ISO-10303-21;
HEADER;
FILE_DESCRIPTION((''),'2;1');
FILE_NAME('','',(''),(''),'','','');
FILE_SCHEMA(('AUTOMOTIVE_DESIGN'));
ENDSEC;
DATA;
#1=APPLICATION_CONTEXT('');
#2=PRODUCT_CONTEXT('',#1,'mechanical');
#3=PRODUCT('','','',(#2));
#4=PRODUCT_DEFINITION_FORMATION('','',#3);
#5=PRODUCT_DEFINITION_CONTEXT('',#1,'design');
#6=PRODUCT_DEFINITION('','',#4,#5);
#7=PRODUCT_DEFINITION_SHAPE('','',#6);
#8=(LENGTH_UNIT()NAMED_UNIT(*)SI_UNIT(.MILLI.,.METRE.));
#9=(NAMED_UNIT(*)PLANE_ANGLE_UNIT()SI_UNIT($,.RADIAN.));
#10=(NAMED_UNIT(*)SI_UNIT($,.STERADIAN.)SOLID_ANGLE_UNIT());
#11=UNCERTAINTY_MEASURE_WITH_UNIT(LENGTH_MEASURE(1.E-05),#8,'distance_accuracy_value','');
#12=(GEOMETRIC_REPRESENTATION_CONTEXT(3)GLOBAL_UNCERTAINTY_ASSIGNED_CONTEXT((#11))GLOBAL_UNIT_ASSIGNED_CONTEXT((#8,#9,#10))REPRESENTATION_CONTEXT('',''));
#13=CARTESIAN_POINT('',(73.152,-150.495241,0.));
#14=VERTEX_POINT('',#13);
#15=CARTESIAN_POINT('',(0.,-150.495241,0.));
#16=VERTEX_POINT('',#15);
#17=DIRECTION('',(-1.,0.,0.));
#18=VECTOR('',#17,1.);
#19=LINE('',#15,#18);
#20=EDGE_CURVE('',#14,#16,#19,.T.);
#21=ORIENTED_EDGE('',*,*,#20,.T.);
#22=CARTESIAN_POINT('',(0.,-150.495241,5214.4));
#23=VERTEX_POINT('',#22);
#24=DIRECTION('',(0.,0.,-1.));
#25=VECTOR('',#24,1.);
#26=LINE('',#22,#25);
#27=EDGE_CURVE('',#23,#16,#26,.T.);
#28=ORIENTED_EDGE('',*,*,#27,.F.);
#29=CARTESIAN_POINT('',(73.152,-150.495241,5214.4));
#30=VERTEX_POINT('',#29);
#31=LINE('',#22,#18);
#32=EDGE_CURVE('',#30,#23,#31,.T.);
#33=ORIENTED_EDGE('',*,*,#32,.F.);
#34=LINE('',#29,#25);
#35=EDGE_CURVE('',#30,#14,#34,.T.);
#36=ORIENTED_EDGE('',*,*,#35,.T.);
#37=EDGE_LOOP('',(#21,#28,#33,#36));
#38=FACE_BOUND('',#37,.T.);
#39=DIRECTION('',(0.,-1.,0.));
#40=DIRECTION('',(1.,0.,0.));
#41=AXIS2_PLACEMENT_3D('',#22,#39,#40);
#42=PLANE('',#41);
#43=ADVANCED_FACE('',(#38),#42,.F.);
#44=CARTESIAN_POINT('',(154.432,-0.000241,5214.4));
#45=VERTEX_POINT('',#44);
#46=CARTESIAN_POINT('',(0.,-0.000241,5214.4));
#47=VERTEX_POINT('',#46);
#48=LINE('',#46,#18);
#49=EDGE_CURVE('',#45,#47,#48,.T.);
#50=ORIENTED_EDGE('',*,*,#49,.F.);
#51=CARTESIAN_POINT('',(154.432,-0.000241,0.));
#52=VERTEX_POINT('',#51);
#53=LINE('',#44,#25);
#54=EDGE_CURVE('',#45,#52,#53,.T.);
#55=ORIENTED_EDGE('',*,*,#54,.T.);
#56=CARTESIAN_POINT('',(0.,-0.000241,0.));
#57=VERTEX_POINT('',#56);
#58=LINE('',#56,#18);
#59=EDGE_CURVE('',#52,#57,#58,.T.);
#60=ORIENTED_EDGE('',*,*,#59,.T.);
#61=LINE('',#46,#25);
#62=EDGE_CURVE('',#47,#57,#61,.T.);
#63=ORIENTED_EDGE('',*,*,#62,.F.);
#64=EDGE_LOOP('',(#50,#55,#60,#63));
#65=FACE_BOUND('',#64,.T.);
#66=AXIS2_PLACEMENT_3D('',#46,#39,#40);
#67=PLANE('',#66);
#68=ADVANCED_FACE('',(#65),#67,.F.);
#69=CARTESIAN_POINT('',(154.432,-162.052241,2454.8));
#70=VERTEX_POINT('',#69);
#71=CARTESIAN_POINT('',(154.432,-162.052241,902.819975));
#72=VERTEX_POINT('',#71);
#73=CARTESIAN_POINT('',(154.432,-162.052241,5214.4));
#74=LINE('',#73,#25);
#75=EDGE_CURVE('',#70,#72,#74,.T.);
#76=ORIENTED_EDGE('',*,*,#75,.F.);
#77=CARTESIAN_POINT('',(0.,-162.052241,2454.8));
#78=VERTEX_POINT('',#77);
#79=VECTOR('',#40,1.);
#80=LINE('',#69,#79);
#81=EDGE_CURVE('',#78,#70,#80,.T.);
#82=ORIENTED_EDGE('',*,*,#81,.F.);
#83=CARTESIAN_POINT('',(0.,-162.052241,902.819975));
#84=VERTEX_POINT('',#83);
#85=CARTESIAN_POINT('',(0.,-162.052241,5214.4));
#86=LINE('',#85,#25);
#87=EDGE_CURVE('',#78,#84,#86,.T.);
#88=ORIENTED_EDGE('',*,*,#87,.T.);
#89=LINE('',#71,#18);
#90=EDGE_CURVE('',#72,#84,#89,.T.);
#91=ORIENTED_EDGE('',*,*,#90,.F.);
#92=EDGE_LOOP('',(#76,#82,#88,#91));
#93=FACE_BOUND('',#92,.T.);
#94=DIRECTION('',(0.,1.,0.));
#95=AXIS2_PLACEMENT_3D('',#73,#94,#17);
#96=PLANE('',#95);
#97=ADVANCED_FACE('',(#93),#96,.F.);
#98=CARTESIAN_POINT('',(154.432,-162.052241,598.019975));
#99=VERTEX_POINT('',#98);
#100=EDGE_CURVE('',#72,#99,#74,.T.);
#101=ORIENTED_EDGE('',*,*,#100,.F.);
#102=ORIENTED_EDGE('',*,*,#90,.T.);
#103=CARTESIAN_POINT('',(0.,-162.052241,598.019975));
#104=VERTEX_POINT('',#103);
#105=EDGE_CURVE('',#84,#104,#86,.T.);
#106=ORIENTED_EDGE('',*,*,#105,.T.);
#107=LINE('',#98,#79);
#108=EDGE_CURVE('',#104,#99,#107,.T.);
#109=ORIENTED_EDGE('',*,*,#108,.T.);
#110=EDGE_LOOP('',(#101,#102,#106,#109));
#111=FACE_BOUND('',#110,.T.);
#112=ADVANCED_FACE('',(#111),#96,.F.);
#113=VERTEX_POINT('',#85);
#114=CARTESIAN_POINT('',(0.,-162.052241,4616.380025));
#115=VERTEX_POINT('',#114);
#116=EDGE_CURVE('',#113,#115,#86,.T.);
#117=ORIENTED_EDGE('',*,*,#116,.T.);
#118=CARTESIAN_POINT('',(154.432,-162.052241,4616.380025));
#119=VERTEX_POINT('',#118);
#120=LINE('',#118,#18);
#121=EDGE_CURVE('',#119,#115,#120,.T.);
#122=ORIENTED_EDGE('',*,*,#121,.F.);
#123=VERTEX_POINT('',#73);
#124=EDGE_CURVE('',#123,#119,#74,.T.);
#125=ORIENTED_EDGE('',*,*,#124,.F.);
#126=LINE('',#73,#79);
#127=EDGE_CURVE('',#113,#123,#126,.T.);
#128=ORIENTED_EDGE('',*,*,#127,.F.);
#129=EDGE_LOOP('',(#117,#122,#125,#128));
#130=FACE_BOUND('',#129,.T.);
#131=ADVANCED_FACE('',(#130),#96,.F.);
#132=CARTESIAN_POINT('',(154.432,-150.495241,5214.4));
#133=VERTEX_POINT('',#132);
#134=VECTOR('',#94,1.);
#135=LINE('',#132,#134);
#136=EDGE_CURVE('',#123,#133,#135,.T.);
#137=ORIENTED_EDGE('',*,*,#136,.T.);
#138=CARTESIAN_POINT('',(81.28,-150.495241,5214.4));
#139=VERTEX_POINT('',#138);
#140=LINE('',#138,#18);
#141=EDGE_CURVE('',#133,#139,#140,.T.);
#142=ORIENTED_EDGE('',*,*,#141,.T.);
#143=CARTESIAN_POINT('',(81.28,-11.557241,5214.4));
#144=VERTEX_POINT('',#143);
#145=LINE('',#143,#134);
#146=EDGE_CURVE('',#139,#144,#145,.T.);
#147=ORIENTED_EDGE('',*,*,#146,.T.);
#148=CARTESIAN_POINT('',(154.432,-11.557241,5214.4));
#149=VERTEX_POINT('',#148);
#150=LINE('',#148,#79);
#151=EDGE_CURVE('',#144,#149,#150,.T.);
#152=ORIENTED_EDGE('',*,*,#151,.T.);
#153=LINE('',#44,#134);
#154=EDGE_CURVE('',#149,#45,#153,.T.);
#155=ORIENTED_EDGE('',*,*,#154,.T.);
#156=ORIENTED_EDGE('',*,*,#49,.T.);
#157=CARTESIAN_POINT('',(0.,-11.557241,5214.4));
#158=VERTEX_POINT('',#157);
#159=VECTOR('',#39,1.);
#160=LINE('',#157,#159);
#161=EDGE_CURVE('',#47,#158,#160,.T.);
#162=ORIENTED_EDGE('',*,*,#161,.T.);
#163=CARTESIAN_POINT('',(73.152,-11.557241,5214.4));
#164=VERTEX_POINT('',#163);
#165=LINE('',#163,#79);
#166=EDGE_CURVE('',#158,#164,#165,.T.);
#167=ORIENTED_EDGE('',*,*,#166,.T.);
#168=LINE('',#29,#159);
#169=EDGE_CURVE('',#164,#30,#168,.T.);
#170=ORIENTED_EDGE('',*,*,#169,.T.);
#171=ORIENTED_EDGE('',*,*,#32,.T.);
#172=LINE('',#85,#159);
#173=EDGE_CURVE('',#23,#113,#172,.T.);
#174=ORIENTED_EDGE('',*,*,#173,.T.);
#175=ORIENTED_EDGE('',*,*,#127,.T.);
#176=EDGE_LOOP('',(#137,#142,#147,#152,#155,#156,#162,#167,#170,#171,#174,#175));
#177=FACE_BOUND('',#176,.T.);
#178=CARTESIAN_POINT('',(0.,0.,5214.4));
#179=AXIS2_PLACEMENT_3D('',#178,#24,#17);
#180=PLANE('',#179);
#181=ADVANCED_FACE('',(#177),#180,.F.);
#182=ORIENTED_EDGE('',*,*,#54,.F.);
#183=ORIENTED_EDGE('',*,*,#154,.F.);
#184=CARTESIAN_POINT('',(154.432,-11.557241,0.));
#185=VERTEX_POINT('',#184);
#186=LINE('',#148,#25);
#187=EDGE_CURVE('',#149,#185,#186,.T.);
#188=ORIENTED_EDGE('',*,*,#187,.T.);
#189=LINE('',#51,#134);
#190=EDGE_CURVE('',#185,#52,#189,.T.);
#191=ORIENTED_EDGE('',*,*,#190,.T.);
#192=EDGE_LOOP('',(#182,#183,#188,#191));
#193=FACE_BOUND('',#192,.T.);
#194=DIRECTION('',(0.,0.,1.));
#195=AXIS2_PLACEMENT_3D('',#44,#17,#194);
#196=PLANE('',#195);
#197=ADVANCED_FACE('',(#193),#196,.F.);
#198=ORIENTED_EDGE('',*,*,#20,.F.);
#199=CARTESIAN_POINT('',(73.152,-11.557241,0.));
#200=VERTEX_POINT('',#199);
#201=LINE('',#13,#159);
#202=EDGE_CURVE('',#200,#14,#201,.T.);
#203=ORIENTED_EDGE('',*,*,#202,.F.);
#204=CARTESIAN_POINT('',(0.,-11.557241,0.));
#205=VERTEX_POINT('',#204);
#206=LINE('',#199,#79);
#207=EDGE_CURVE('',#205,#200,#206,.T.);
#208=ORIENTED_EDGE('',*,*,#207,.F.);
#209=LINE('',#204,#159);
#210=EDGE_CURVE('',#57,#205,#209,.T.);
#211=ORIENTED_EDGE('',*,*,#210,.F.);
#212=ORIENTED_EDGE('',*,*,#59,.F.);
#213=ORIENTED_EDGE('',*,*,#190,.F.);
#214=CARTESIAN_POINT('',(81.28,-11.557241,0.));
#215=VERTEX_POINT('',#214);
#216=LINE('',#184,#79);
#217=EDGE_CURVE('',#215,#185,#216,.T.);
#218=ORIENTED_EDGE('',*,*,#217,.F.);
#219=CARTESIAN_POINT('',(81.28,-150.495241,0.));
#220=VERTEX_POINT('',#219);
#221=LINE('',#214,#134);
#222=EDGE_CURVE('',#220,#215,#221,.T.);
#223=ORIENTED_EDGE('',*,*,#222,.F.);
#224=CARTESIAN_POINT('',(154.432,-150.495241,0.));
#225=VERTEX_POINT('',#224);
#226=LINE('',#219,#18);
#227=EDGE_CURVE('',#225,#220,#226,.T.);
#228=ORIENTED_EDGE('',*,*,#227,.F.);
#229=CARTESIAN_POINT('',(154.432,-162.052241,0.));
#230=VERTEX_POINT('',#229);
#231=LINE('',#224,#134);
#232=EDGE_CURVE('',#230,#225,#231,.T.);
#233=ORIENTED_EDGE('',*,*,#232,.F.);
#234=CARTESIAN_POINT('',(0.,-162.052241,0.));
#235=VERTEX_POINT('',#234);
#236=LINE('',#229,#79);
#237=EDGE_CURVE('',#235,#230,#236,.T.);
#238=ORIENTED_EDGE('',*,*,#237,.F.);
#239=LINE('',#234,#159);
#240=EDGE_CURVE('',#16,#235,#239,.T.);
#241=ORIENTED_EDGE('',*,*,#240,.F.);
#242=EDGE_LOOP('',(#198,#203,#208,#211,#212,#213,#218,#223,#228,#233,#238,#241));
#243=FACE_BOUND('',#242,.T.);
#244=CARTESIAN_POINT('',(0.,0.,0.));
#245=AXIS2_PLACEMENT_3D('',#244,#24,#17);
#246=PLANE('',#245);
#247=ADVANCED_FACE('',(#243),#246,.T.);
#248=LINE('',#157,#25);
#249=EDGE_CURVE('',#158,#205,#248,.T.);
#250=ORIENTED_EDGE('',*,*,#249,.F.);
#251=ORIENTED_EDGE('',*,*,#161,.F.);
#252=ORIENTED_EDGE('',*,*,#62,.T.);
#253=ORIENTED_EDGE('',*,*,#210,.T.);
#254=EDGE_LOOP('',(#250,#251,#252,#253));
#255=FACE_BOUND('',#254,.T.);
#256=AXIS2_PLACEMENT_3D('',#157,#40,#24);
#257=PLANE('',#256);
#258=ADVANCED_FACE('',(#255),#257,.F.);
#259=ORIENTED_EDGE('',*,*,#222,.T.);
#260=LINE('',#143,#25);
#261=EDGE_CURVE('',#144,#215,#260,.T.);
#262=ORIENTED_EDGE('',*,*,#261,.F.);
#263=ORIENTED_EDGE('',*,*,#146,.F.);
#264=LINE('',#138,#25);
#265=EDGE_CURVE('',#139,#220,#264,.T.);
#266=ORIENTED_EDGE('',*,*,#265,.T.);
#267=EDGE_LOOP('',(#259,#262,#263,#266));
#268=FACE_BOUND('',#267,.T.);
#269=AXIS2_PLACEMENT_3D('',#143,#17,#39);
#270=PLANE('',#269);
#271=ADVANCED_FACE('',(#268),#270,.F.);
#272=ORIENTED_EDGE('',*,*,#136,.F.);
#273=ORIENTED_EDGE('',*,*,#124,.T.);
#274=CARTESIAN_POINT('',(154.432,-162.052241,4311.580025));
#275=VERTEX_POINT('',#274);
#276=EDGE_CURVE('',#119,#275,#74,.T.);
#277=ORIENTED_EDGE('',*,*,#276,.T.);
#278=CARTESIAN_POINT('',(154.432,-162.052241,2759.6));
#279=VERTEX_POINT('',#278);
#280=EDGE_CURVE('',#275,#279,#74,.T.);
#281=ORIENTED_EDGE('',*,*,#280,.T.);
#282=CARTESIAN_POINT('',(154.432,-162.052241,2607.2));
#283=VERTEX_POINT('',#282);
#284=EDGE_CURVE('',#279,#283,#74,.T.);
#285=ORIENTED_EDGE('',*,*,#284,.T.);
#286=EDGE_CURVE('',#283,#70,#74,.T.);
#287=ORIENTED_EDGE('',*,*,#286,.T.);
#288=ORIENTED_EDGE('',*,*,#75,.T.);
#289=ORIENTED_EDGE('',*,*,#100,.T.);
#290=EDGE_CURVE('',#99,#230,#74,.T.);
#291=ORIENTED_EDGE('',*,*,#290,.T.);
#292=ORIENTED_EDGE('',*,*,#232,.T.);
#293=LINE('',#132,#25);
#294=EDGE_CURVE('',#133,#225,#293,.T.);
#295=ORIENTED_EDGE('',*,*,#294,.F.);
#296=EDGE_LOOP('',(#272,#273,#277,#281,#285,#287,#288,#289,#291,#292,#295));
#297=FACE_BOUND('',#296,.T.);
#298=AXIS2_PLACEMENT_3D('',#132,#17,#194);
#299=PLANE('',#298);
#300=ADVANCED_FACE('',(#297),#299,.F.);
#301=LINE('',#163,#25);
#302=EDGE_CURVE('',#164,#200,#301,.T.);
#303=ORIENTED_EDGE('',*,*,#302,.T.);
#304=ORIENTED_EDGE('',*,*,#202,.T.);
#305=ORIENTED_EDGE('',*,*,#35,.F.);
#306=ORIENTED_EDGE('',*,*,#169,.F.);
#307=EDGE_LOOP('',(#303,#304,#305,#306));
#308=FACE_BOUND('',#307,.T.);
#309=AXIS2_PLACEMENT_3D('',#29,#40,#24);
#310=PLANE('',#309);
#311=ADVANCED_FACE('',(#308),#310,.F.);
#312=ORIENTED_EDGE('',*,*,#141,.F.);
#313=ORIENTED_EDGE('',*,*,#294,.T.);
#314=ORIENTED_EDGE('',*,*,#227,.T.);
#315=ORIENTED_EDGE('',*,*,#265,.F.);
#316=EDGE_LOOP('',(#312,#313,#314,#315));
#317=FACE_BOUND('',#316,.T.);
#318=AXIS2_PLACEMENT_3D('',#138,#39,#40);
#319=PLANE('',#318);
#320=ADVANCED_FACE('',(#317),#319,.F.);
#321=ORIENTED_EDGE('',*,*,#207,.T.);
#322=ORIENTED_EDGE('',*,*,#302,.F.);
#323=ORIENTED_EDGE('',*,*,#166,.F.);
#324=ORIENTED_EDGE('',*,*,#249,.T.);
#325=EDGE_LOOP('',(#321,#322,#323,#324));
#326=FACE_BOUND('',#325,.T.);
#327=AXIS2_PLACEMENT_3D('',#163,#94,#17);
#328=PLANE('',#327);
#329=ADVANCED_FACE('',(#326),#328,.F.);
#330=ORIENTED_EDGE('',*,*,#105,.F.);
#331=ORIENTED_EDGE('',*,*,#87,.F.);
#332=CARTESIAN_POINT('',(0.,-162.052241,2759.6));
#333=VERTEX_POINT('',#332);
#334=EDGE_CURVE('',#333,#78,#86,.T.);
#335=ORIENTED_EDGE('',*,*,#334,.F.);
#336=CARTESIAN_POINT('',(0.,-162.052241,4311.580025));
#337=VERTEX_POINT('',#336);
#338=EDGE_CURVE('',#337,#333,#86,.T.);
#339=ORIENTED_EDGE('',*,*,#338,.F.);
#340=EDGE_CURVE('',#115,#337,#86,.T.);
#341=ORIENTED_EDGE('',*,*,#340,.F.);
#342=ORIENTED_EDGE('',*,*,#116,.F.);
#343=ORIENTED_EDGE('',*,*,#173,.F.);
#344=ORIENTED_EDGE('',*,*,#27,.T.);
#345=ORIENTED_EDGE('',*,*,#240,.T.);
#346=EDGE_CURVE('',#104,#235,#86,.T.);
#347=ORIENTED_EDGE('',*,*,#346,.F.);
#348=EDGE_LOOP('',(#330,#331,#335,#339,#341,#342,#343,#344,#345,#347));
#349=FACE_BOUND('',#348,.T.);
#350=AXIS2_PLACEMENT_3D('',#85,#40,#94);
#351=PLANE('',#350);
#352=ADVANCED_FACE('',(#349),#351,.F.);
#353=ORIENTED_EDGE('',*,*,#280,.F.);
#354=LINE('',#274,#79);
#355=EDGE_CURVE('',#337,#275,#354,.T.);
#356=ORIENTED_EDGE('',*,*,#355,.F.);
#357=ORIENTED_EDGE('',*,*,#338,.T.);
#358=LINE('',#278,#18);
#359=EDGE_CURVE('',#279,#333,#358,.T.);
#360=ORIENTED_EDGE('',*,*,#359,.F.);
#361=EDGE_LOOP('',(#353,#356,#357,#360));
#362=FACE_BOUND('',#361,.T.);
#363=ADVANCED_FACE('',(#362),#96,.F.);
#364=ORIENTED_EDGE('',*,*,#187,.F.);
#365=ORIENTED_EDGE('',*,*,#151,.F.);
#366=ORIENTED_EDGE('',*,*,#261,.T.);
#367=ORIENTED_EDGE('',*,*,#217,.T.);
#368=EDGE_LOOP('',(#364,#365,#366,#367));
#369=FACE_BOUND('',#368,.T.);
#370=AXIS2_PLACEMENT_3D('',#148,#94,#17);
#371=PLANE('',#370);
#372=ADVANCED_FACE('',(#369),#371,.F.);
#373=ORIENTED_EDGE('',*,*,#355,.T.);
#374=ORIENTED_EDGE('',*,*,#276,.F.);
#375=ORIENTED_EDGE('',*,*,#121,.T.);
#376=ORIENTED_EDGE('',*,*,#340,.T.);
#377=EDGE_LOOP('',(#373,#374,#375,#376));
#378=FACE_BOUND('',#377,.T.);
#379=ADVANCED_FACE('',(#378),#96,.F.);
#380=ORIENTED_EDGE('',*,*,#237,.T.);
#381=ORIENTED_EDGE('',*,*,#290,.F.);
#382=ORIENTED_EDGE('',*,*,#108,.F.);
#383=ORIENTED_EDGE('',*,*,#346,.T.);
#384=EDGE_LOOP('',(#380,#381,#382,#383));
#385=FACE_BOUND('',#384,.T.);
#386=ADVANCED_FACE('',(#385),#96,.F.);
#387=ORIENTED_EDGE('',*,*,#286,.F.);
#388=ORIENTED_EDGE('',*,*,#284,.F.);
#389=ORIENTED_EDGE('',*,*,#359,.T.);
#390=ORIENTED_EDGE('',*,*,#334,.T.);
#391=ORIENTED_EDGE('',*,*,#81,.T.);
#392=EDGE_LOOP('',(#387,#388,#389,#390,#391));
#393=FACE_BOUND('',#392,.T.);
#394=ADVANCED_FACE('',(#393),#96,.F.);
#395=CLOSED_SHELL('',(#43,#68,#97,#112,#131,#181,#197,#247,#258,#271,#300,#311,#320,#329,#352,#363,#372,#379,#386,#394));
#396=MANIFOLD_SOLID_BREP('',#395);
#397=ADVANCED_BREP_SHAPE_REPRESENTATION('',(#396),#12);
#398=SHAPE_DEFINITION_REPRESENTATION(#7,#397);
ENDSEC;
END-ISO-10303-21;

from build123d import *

# Parameters (mm, degrees)
BOSS_EXTRUDE1_DEPTH = 5214.4


with BuildPart() as part:
    # Sketch1 → Boss-Extrude1 (new body)
    with BuildSketch(Plane.XY):
        Polygon((0, -0.000240533), (154.432, -0.000240533), (154.432, -11.557240533), (81.28, -11.557240533), (81.28, -150.495240533), (154.432, -150.495240533), (154.432, -162.052240533), (0, -162.052240533), (0, -150.495240533), (73.152, -150.495240533), (73.152, -11.557240533), (0, -11.557240533), align=None)
    extrude(amount=BOSS_EXTRUDE1_DEPTH)


solid = part.part
